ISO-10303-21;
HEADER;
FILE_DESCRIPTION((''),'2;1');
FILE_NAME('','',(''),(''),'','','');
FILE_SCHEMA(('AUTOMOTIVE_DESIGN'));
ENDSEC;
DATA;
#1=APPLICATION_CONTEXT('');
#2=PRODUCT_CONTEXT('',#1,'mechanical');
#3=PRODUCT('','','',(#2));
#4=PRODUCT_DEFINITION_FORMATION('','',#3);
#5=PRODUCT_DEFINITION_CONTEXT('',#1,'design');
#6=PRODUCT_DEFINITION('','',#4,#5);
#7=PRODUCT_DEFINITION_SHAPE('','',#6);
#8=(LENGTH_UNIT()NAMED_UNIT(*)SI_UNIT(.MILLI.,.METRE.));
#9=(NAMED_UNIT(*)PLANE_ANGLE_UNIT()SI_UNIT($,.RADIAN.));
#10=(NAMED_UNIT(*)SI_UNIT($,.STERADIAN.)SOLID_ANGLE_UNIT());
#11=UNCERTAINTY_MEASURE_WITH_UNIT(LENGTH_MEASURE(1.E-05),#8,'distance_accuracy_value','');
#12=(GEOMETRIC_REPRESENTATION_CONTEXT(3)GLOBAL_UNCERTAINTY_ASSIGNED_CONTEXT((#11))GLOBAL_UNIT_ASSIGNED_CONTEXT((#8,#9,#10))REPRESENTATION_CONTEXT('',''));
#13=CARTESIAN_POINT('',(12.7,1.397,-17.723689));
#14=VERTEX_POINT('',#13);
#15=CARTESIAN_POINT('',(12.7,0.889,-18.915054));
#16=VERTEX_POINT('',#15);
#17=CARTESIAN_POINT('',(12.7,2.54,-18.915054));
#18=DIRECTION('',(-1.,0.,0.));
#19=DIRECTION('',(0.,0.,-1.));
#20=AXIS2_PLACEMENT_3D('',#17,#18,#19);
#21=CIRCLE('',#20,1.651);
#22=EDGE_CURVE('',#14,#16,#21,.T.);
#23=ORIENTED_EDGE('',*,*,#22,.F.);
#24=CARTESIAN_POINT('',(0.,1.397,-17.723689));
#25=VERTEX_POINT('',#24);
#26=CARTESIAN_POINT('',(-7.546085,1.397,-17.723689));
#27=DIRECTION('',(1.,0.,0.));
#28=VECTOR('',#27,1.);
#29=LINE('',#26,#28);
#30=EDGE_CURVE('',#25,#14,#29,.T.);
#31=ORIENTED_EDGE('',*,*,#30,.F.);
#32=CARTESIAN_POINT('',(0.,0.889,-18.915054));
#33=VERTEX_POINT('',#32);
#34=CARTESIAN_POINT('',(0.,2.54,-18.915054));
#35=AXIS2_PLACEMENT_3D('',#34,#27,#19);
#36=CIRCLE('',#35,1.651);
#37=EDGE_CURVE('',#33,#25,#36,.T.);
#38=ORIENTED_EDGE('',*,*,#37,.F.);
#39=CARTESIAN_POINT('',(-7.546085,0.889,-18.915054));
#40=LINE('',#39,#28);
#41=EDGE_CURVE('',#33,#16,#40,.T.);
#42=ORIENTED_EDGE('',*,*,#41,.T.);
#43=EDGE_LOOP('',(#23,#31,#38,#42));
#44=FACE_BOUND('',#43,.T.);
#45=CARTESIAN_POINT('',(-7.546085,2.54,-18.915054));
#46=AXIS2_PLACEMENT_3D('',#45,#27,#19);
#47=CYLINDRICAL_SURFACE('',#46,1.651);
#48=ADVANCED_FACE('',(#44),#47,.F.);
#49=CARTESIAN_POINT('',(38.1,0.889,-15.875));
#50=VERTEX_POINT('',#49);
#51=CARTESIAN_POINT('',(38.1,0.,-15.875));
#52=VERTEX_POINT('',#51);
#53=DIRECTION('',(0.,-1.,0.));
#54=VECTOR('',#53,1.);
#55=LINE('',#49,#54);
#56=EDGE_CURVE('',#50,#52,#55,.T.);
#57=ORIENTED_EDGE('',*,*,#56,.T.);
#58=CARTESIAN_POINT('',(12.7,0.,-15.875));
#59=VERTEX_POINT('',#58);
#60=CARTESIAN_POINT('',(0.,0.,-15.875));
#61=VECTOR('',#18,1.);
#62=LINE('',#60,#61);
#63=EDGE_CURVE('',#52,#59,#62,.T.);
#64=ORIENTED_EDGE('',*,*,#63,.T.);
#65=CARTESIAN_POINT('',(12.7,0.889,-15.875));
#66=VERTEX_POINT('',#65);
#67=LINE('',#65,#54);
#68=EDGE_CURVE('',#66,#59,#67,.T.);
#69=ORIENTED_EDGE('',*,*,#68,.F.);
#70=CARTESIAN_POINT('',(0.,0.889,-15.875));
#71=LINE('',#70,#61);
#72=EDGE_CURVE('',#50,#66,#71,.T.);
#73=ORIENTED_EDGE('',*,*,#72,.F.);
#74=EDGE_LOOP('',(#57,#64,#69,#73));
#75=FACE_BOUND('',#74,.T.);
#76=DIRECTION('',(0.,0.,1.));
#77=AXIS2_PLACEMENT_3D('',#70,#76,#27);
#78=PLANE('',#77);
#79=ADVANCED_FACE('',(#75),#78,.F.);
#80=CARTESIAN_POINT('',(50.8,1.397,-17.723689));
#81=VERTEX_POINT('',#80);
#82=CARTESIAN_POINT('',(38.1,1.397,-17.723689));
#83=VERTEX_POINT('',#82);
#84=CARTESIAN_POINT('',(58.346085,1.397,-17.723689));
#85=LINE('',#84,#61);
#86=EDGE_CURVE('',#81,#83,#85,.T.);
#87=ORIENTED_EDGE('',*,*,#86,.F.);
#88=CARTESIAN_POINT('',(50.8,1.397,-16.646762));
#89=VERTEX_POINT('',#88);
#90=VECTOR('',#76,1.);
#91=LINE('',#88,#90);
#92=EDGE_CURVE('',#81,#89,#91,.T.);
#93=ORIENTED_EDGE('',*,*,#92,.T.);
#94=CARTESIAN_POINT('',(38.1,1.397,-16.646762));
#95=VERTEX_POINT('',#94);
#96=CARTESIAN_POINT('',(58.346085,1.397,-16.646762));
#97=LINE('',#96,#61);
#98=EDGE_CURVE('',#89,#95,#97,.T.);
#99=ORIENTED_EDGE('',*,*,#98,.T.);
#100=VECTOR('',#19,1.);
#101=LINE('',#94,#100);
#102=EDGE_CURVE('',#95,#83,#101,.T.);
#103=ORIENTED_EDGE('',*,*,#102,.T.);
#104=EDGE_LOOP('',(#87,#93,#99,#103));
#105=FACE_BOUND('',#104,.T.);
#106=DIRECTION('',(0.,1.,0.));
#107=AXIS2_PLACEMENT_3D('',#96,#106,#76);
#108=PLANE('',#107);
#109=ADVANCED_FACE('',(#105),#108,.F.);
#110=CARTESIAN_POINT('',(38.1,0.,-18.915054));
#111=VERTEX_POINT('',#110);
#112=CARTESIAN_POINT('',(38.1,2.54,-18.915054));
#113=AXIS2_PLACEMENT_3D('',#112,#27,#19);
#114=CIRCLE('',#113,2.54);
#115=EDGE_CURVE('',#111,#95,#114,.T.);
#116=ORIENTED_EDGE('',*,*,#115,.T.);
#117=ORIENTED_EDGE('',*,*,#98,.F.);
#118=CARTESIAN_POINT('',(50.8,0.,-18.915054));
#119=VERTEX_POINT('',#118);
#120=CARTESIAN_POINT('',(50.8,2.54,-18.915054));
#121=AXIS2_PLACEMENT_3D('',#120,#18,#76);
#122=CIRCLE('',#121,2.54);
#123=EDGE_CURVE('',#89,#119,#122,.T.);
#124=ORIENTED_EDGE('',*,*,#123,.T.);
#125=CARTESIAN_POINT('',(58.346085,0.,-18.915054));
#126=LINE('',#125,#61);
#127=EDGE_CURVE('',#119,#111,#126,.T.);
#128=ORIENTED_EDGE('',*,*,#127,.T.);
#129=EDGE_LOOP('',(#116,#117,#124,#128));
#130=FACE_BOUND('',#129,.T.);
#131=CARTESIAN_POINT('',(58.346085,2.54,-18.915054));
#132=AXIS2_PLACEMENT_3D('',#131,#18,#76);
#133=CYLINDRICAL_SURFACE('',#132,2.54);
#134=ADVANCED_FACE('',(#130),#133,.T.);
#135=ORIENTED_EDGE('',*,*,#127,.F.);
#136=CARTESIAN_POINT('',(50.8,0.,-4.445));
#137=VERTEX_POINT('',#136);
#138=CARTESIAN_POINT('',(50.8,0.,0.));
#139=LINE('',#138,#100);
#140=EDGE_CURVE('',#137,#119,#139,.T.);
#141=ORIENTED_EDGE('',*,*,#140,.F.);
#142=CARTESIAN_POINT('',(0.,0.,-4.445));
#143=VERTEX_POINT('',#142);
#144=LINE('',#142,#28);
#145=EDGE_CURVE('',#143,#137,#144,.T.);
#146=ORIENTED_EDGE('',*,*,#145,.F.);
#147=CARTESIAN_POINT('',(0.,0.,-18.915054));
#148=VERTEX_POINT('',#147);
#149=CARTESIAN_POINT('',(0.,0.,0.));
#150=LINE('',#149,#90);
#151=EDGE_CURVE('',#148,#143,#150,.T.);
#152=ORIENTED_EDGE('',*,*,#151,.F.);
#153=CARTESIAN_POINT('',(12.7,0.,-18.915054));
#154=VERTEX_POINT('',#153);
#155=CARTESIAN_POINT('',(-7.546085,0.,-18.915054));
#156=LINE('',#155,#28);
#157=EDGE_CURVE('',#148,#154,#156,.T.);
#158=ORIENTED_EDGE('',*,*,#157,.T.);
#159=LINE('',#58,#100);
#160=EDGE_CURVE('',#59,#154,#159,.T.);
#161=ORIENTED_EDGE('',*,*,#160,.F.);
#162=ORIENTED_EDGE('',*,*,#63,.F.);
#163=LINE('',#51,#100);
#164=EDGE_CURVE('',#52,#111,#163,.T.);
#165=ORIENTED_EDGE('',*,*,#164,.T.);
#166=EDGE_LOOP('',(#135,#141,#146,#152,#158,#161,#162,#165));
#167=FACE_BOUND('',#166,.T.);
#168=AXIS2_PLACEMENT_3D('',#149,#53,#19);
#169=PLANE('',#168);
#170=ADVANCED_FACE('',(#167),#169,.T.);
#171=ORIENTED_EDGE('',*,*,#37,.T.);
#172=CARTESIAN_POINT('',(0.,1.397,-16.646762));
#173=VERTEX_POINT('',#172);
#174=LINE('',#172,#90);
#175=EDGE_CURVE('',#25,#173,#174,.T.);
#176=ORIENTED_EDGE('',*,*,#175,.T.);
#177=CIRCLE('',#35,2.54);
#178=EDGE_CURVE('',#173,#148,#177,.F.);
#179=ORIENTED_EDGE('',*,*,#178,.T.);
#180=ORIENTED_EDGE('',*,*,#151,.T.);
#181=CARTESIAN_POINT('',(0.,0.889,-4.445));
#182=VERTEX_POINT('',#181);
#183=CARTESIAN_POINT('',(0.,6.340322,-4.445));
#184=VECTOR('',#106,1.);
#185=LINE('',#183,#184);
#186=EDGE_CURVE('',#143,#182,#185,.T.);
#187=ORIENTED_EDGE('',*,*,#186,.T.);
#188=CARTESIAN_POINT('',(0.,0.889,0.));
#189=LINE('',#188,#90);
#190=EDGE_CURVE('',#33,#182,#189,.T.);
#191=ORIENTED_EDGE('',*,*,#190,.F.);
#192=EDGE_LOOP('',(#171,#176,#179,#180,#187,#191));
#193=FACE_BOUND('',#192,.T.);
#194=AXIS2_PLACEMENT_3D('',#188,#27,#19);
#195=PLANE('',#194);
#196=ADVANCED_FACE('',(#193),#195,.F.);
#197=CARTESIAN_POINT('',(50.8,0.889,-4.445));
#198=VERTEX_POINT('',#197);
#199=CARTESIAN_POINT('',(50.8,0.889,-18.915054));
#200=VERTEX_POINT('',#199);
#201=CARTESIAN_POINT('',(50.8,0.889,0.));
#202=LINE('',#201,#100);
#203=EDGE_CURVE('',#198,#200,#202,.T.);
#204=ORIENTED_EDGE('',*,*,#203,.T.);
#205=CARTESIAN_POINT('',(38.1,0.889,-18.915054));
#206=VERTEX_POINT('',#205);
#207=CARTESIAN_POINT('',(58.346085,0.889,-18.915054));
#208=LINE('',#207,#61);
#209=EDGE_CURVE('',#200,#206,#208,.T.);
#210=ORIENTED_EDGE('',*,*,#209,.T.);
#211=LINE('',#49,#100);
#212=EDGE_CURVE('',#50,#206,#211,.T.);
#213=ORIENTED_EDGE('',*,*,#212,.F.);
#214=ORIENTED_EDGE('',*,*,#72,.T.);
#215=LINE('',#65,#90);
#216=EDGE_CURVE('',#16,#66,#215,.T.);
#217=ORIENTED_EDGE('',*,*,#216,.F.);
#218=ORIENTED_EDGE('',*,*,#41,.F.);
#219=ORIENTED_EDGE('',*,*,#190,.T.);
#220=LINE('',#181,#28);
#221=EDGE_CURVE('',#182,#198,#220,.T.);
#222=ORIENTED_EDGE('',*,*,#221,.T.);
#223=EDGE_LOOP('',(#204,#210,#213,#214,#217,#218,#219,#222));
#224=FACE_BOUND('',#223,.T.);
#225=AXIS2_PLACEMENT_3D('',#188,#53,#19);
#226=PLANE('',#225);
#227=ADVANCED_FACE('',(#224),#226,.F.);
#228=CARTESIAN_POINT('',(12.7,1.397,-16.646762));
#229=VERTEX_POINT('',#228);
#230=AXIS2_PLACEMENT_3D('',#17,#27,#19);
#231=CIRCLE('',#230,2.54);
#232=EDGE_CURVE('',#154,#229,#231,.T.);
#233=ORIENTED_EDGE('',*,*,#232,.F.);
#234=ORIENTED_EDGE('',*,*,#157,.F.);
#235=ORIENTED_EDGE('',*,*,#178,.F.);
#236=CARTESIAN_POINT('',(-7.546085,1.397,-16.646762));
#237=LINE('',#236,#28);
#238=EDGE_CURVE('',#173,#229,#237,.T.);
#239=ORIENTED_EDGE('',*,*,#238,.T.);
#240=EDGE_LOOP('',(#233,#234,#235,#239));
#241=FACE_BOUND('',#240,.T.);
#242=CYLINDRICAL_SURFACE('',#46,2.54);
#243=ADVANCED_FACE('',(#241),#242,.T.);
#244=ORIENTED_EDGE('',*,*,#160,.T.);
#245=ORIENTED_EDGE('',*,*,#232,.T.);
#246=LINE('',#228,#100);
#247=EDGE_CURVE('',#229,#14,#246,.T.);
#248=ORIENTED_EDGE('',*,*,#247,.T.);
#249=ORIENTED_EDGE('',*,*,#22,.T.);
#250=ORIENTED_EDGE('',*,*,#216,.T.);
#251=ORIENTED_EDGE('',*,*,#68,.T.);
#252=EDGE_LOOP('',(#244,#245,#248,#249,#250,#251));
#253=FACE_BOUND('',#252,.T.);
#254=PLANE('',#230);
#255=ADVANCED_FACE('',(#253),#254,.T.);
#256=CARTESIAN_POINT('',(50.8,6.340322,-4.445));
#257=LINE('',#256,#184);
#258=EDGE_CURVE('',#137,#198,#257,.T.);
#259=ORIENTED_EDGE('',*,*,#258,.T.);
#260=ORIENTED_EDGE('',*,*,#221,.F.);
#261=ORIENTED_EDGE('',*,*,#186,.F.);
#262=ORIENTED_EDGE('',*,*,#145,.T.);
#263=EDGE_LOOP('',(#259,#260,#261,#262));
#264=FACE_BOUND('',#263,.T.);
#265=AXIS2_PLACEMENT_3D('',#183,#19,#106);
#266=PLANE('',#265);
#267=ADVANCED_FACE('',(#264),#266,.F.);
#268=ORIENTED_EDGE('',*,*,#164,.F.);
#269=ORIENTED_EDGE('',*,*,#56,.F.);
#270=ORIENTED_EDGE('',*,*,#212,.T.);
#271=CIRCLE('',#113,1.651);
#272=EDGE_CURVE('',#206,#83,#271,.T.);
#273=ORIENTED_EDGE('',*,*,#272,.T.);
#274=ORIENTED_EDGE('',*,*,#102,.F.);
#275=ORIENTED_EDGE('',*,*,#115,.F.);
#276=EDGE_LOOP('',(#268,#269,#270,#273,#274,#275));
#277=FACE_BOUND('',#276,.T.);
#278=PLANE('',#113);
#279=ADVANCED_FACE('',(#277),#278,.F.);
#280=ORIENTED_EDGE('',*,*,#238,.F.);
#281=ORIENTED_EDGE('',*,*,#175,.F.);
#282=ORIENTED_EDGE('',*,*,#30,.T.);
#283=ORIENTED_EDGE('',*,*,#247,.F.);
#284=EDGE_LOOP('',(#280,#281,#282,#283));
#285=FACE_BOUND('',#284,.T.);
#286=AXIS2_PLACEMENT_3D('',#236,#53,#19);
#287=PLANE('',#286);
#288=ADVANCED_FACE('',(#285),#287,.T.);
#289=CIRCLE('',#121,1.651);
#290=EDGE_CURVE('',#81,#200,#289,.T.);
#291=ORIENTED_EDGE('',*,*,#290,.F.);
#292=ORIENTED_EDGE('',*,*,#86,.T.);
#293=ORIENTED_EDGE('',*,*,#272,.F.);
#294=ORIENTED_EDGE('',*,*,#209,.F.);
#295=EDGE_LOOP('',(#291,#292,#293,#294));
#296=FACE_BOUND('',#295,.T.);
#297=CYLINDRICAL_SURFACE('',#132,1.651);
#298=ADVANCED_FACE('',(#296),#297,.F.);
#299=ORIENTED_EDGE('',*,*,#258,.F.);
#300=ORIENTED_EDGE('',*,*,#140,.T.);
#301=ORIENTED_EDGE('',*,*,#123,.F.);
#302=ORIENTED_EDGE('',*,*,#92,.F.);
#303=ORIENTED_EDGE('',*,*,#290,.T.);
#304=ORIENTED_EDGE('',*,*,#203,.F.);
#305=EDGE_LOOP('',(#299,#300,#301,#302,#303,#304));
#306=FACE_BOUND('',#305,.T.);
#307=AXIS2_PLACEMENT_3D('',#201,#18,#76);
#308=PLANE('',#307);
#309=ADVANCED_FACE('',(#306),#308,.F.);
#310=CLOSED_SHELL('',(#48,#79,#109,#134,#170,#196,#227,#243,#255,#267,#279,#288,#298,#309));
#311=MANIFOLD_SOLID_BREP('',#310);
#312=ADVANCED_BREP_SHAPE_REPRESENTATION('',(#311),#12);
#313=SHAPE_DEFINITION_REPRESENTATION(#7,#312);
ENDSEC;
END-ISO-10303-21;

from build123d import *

# Parameters (mm, degrees)
SKETCH1_W           = 50.8
SKETCH1_H           = 15.875
BOSS_EXTRUDE1_DEPTH = 0.889
SKETCH3_W           = 7.62
SKETCH3_H           = 12.7
CUT_EXTRUDE1_DEPTH  = 51.8
BOSS_EXTRUDE6_DEPTH = 12.7
BOSS_EXTRUDE7_START = -25.4
BOSS_EXTRUDE7_DEPTH = 12.7


with BuildPart() as part:
    # Sketch1 → Boss-Extrude1 (new body)
    with BuildSketch(Plane(origin=(0, 0, 0), x_dir=(1, 0, 0), z_dir=(0, 1, 0))):
        with Locations((25.4, 7.9375)):
            Rectangle(SKETCH1_W, SKETCH1_H)
    extrude(amount=BOSS_EXTRUDE1_DEPTH)

    # Sketch3 → Cut-Extrude1 (cut, through all)
    with BuildSketch(Plane(origin=(50.8, 0, 0), x_dir=(0, 0, -1), z_dir=(1, 0, 0))):
        with Locations((0.635, -0.009678267)):
            Rectangle(SKETCH3_W, SKETCH3_H)
    extrude(amount=-CUT_EXTRUDE1_DEPTH, mode=Mode.SUBTRACT)

    # Sketch4 → Boss-Extrude6 (add)
    with BuildSketch(Plane(origin=(38.1, 0, 0), x_dir=(0, 0, -1), z_dir=(1, 0, 0))):
        with BuildLine():
            Line((15.875, 0.889), (18.915054155, 0.889))
            ThreePointArc((18.915054155, 0.889), (19.562629634, 4.058699114), (17.723688552, 1.397))
            Line((17.723688552, 1.397), (16.646761626, 1.397))
            ThreePointArc((16.646761626, 1.397), (20.247041392, 4.702732068), (18.915054155, 0))
            Line((18.915054155, 0), (15.875, 0))
            Line((15.875, 0), (15.875, 0.889))
        make_face()
    extrude(amount=BOSS_EXTRUDE6_DEPTH)

    # Sketch4<4> → Boss-Extrude7 (add)
    with BuildSketch(Plane(origin=(38.1, 0, 0), x_dir=(0, 0, -1), z_dir=(1, 0, 0)).offset(BOSS_EXTRUDE7_START)):
        with BuildLine():
            Line((15.875, 0.889), (18.915054155, 0.889))
            ThreePointArc((18.915054155, 0.889), (19.562629634, 4.058699114), (17.723688552, 1.397))
            Line((17.723688552, 1.397), (16.646761626, 1.397))
            ThreePointArc((16.646761626, 1.397), (20.247041392, 4.702732068), (18.915054155, 0))
            Line((18.915054155, 0), (15.875, 0))
            Line((15.875, 0), (15.875, 0.889))
        make_face()
    extrude(amount=-BOSS_EXTRUDE7_DEPTH)


solid = part.part
